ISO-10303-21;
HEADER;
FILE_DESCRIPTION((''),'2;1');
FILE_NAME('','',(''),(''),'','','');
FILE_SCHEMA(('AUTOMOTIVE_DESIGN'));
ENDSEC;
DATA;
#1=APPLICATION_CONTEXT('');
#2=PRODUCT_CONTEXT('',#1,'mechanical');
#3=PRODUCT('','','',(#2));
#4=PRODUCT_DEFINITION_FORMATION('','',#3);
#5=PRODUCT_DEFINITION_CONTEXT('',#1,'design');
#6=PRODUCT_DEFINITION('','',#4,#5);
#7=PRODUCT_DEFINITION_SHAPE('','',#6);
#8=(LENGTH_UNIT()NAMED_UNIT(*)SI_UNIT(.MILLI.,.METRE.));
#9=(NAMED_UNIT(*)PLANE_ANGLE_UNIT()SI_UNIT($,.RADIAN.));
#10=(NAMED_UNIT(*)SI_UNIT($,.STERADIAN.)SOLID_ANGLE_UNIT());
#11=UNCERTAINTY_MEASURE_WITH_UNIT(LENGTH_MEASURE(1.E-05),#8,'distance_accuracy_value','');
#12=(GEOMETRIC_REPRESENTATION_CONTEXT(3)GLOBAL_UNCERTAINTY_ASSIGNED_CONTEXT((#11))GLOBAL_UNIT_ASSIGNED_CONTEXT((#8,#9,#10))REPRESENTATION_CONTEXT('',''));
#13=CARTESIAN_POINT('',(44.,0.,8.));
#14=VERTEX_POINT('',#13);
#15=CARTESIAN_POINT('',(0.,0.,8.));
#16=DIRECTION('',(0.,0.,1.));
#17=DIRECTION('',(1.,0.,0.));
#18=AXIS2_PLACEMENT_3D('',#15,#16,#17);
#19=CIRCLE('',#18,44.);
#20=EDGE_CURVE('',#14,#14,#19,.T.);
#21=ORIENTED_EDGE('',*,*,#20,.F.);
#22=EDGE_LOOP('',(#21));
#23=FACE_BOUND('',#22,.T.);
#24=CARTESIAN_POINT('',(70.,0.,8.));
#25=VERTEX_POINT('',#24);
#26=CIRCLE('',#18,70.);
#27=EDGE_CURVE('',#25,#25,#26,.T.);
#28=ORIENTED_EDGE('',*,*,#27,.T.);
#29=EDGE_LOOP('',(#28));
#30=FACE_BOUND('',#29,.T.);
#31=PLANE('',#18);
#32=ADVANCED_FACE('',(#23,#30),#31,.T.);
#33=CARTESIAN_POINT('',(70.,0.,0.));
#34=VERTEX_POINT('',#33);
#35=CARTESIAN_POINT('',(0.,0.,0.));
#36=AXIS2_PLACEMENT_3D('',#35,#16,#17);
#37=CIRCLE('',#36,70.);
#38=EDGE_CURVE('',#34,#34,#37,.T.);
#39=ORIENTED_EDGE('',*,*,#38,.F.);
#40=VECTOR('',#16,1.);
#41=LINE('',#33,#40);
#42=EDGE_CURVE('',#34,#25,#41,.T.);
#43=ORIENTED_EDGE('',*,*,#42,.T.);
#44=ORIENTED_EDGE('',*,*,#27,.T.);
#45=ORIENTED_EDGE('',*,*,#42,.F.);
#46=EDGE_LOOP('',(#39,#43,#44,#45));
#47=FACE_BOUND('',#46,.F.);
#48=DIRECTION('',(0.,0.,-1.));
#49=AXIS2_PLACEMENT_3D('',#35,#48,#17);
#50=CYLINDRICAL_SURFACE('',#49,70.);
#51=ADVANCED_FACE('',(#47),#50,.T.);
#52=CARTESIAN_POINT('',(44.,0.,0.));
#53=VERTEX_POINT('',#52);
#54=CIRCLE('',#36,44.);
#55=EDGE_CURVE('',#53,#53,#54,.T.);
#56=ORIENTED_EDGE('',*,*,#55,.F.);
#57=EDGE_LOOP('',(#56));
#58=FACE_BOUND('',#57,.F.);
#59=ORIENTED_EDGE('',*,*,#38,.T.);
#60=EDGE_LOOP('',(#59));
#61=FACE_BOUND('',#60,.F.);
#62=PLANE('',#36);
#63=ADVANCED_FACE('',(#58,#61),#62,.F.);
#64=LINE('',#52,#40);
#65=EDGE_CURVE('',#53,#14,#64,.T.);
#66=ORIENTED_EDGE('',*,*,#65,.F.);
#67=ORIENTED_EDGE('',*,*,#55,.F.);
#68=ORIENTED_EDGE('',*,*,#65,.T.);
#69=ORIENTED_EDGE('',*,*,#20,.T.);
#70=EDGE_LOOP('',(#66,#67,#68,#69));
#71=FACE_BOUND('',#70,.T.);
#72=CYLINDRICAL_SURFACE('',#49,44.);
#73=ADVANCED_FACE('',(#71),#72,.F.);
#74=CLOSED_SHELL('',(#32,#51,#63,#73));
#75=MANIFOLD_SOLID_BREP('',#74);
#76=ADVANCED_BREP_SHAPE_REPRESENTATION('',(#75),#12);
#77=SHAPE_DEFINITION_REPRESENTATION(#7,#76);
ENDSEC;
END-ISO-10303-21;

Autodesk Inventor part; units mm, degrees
ref_plane "YZ Plane" through (0, 0, 0) normal (1, 0, 0) x (0, 1, 0)
ref_plane "XZ Plane" through (0, 0, 0) normal (0, 1, 0) x (-1, 0, 0)
ref_plane "XY Plane" through (0, 0, 0) normal (0, 0, 1) x (1, 0, 0)
sketch "Sketch2" plane through (0, 0, 0) normal (0, 0, 1) x (1, 0, 0)
  circle A0 centre (0, 0) radius 44
  circle A1 centre (0, 0) radius 70
  dimension "d25" = 88
  dimension "d27" = 140
extrude "Plate2" add sketch "Sketch2" along normal blind 8
equation "\"d14\" = Thickness"
equation "\"BendReliefWidth\" = Thickness"
equation "\"BendReliefDepth\" = 0.5 * Thickness"
equation "\"CornerReliefSize\" = 4 * Thickness"
equation "\"MinimumRemnant\" = 2 * Thickness"
equation "\"TransitionRadius\" = BendRadius"
equation "\"JacobiRadiusSize\" = BendRadius"
equation "\"GapSize\" = Thickness"
equation "\"Thickness\" = 8"
equation "\"BendRadius\" = 6"
properties part number "PNS 735 FDS free flange DN90" material "Steel"
